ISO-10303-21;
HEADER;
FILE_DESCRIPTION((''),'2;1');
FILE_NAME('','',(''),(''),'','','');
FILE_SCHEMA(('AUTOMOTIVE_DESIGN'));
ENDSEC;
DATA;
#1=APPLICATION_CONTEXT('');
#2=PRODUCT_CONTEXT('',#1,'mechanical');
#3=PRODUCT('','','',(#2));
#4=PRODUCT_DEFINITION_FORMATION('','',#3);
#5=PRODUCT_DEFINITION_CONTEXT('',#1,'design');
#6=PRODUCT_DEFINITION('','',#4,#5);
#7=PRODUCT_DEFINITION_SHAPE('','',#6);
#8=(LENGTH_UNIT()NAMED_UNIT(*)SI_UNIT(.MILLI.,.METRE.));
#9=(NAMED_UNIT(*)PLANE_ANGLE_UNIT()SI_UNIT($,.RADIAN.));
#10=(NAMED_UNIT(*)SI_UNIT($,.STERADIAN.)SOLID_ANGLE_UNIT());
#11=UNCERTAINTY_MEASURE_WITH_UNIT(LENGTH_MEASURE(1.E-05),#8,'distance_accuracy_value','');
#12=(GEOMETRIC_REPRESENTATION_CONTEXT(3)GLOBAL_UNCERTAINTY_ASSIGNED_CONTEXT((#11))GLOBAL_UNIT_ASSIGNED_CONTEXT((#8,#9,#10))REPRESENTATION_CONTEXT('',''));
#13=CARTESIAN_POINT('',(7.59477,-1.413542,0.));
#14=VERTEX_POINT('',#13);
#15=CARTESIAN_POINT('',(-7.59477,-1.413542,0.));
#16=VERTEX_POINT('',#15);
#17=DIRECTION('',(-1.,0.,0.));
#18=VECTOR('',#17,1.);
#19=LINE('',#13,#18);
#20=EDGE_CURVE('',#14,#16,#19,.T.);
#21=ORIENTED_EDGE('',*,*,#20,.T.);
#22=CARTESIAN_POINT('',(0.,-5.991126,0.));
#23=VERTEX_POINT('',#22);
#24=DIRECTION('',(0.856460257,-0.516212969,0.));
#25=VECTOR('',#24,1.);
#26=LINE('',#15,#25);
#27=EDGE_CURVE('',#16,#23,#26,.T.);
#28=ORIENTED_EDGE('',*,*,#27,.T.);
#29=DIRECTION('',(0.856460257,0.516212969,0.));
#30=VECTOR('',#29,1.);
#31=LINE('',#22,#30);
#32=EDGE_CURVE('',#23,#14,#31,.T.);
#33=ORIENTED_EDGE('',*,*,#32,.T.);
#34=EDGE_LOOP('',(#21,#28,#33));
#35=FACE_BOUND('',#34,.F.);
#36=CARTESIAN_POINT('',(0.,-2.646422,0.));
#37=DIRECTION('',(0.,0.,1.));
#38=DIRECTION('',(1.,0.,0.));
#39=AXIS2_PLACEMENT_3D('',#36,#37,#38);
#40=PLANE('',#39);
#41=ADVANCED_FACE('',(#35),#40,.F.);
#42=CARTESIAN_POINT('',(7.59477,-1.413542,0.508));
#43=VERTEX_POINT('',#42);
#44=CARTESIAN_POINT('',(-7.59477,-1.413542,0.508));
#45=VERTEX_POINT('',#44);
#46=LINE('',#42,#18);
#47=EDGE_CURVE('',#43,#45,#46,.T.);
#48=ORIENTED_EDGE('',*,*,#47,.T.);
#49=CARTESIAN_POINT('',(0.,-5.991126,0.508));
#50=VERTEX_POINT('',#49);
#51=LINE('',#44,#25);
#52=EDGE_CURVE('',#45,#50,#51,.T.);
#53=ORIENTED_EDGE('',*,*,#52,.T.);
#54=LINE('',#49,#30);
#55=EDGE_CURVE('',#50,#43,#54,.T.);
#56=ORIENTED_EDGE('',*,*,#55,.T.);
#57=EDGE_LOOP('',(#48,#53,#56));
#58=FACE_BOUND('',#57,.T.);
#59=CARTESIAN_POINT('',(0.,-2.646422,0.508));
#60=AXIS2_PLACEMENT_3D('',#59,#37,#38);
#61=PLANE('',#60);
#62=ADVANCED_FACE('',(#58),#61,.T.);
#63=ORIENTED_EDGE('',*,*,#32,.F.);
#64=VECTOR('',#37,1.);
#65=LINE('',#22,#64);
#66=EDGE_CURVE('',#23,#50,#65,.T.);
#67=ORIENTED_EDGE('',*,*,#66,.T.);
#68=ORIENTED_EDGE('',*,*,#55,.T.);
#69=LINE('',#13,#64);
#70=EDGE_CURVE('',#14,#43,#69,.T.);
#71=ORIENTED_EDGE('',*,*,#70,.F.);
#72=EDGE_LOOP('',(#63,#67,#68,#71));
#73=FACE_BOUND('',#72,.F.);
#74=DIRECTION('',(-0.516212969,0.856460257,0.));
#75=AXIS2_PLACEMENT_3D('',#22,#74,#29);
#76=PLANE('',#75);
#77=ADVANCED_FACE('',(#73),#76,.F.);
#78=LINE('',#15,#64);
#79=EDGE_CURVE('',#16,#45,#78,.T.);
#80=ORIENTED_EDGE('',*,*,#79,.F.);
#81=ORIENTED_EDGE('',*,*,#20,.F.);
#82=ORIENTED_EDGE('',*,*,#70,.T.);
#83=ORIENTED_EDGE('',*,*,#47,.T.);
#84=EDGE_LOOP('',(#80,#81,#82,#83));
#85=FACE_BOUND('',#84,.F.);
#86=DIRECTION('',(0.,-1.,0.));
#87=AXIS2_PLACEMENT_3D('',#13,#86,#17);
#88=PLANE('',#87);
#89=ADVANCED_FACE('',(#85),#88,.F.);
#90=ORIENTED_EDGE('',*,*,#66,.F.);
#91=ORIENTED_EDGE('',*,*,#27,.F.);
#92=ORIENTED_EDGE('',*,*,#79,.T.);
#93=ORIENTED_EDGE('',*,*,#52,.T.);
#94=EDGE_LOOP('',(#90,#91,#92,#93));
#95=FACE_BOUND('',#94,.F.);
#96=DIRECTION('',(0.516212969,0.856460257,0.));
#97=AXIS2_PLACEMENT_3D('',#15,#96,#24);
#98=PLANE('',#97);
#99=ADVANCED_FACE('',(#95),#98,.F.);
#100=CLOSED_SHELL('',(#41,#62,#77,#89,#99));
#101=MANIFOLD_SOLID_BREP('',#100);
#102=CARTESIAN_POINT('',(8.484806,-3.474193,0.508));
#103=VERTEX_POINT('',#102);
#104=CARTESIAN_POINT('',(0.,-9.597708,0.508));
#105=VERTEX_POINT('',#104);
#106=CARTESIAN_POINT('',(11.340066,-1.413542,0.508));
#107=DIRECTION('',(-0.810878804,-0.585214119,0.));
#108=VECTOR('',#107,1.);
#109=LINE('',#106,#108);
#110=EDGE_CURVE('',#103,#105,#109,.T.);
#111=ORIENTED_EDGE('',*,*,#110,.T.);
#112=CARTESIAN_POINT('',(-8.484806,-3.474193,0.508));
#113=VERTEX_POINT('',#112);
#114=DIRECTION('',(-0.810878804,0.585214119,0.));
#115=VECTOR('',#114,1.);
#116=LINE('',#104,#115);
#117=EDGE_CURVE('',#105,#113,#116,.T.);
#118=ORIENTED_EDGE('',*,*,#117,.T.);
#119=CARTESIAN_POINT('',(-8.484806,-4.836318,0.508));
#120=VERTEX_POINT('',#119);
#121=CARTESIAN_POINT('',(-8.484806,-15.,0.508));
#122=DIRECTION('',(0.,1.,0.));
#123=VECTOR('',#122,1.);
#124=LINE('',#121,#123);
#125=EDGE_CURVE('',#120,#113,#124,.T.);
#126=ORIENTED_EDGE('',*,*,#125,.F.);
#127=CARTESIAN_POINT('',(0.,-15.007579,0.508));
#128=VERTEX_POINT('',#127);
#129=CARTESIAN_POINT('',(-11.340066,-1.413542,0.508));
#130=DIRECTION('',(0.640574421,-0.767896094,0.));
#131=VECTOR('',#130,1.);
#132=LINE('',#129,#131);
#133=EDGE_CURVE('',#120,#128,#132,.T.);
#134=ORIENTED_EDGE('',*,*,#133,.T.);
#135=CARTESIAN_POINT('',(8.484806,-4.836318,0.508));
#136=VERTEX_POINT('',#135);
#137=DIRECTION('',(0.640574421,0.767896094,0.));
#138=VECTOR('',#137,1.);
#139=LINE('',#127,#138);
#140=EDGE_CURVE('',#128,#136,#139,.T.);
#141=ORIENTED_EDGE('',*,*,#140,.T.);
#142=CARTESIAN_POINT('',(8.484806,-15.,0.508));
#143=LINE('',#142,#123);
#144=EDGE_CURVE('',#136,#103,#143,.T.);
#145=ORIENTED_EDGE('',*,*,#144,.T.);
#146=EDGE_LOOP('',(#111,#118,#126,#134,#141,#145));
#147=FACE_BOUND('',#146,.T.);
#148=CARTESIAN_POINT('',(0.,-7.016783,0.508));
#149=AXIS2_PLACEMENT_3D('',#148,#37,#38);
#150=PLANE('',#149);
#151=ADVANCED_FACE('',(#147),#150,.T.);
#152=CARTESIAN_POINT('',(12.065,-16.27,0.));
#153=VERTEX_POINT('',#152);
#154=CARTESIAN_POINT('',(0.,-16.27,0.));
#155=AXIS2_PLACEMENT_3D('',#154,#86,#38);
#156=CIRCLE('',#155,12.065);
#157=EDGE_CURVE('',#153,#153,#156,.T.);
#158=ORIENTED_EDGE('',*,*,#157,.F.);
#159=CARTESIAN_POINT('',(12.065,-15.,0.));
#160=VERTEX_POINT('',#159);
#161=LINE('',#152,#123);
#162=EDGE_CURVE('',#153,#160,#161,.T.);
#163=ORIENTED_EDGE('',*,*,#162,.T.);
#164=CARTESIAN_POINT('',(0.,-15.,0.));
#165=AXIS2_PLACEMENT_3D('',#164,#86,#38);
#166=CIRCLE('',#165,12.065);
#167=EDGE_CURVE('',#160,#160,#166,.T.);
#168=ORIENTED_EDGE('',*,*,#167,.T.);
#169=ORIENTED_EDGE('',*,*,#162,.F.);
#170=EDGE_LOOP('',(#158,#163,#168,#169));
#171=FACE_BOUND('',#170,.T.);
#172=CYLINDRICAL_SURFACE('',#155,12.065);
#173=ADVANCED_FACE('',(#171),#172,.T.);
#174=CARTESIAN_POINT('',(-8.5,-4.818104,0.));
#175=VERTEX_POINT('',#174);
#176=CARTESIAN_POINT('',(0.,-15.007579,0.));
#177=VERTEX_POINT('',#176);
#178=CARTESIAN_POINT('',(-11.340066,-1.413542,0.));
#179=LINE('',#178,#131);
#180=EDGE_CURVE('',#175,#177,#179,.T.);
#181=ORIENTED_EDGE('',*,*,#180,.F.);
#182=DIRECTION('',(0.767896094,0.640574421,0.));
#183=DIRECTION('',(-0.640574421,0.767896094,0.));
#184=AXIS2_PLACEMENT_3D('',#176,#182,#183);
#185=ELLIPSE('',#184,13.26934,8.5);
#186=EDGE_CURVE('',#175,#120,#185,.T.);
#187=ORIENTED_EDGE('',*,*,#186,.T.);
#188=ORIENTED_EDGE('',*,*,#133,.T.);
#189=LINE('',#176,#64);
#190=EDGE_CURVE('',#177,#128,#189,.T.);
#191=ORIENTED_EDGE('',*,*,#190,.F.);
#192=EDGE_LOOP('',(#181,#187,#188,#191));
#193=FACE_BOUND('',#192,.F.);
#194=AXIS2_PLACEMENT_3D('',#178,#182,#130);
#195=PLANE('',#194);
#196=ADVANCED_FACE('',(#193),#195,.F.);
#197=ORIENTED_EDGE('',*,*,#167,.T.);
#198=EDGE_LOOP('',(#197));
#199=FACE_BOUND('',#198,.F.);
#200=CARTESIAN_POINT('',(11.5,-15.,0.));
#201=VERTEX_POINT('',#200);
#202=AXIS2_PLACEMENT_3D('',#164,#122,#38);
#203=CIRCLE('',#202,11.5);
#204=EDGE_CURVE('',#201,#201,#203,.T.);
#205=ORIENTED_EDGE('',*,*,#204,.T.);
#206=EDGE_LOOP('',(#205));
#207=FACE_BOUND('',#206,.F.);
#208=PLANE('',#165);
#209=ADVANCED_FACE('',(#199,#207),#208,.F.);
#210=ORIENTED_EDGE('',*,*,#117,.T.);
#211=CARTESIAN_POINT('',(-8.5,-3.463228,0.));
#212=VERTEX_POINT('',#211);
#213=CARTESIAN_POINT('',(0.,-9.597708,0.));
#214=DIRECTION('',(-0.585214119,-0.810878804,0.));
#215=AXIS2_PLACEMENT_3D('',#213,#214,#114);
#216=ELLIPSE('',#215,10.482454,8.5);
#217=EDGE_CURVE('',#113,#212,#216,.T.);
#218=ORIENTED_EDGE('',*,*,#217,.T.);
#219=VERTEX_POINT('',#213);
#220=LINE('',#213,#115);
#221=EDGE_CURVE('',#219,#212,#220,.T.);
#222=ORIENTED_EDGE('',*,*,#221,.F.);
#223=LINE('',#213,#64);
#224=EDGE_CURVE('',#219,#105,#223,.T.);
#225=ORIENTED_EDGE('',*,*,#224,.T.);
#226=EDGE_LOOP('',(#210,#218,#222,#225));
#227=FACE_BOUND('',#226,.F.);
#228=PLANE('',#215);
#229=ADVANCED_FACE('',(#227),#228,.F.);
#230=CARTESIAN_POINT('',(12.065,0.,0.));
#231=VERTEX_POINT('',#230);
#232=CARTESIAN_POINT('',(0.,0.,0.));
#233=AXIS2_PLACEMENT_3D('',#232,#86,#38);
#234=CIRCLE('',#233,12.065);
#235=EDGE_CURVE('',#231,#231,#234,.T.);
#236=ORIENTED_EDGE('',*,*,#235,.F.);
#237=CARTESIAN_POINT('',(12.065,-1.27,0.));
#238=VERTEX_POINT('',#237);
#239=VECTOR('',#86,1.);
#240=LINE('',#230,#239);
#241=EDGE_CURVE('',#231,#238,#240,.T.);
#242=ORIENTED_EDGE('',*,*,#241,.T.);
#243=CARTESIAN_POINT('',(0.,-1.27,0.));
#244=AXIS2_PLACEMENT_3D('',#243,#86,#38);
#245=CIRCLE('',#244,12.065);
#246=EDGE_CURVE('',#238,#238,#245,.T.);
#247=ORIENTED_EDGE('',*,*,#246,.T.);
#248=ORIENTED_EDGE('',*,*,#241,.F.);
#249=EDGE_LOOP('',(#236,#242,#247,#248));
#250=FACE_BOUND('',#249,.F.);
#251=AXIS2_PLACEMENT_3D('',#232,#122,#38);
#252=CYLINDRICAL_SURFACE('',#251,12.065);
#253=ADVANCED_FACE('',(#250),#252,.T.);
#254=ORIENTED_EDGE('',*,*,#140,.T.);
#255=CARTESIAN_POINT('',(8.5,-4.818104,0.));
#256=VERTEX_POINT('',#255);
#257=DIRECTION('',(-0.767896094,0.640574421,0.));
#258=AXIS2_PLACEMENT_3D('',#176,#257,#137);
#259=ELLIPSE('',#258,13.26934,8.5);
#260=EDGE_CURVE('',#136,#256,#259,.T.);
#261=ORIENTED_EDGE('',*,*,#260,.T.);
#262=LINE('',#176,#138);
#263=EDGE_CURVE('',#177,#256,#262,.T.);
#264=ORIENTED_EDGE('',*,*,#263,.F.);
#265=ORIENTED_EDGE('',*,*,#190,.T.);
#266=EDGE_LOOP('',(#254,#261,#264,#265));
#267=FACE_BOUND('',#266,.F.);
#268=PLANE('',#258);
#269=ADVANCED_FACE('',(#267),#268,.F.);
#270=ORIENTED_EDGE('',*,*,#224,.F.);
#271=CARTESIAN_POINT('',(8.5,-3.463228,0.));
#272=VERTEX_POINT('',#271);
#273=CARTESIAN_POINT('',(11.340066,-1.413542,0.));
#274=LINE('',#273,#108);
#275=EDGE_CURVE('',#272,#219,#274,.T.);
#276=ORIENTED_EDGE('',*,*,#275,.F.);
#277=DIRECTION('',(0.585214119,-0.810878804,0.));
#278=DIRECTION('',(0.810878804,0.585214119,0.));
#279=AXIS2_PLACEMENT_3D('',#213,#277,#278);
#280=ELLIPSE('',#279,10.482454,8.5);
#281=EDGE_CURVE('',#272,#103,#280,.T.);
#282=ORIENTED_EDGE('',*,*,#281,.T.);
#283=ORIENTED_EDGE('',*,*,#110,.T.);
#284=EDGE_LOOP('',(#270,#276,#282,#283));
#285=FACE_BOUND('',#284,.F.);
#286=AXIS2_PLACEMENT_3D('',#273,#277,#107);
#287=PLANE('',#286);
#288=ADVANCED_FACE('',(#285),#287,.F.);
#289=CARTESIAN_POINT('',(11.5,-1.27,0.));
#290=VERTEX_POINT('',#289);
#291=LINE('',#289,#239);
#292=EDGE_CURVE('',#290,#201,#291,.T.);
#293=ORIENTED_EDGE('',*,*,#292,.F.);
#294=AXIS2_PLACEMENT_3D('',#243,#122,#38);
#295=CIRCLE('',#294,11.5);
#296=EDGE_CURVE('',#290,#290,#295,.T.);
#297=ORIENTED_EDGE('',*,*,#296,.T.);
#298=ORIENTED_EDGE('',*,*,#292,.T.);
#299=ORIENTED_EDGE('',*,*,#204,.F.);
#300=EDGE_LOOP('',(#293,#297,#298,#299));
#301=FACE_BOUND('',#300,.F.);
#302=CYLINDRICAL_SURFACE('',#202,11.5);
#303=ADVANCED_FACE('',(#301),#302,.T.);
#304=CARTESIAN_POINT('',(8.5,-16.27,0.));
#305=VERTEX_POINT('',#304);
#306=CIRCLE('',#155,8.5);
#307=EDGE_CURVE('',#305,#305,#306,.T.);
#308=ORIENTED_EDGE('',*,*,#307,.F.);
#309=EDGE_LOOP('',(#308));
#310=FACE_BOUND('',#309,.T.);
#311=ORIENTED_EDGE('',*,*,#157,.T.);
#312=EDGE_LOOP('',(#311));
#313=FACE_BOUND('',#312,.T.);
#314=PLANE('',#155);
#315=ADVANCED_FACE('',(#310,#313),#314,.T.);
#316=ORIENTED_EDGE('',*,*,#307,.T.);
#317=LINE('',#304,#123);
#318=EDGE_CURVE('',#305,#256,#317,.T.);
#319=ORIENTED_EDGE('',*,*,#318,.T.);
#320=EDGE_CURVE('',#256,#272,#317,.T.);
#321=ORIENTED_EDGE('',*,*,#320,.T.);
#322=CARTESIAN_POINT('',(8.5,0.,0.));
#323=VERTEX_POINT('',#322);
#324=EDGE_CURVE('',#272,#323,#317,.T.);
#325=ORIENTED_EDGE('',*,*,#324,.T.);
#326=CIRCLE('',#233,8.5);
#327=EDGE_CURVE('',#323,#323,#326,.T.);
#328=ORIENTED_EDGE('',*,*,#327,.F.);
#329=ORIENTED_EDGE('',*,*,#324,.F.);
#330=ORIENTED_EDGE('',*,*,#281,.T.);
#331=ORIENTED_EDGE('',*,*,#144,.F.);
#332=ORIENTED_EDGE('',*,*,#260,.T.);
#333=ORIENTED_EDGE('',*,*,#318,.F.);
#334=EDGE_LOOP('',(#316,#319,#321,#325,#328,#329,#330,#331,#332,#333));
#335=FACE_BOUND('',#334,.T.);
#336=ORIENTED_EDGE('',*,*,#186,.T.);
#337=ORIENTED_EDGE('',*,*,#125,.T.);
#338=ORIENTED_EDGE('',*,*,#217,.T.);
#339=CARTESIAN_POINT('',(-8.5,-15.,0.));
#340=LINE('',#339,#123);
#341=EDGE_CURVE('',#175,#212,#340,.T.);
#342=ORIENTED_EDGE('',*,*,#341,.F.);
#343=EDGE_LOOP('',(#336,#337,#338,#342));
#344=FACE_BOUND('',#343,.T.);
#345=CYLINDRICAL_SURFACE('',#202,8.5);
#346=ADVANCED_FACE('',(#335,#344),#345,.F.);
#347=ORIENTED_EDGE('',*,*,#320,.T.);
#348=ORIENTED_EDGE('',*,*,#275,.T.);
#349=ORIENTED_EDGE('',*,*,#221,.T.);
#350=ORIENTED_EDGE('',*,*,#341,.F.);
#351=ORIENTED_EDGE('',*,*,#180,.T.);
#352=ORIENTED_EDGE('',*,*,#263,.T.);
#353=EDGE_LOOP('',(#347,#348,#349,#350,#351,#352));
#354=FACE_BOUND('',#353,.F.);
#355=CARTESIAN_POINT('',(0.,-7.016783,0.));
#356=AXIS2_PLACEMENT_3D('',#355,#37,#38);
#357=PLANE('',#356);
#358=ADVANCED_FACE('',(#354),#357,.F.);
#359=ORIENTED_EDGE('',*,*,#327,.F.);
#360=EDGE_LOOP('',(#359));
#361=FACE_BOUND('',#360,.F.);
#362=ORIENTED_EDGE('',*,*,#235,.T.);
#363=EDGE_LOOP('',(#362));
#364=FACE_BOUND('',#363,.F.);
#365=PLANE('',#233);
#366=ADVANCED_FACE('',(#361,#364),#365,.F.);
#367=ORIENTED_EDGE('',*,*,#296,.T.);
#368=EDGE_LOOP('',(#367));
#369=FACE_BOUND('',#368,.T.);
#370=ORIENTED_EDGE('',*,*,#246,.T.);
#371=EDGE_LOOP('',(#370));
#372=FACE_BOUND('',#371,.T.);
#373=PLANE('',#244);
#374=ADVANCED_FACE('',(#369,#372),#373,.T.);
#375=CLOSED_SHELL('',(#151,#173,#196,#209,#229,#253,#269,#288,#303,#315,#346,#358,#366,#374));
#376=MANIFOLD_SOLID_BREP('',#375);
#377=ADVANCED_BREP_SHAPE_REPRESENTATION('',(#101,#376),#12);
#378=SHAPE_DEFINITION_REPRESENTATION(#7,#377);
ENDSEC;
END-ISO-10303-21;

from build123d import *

# Parameters (mm, degrees)
F0_R        = 11.5
F0_R_2      = 8.5
F1_DEPTH    = 15
F1_FACE_R   = 11.5
F1_FACE_R_2 = 8.5
F2_R        = 12.065
F2_R_2      = 8.568033
F3_DEPTH    = 1.27
F4_R        = 12.065
F4_R_2      = 8.746033
F5_DEPTH    = 1.27
F7_DEPTH    = 0.508


with BuildPart() as f1:
    # F0 (on Front) → F1 (new body)
    with BuildSketch(Plane.XZ):
        Circle(F0_R)
        Circle(F0_R_2, mode=Mode.SUBTRACT)
    extrude(amount=F1_DEPTH)

    # F1_face (on face) + F2 (on Front) → F3 (join)
    with BuildSketch(Plane.XZ.offset(15)):
        Circle(F1_FACE_R)
        Circle(F1_FACE_R_2, mode=Mode.SUBTRACT)
    with BuildSketch(Plane.XZ):
        Circle(F2_R)
        Circle(F2_R_2, mode=Mode.SUBTRACT)
    extrude(amount=F3_DEPTH)

    # F4 (on face) → F5 (join)
    with BuildSketch(Plane.XZ.offset(16.27)):
        Circle(F4_R)
        Circle(F4_R_2, mode=Mode.SUBTRACT)
    extrude(amount=-F5_DEPTH)

    # F6 (on Top) → F7 (join)
    with BuildSketch(Plane.XY):
        Polygon((-11.340066, -1.413542), (0, -15.007579), (11.340066, -1.413542), (0, -9.597708), align=None)
        Polygon((7.59477, -1.413542), (0, -1.413542), (-7.59477, -1.413542), (0, -5.991126), align=None)
    extrude(amount=F7_DEPTH)


solid = f1.part
